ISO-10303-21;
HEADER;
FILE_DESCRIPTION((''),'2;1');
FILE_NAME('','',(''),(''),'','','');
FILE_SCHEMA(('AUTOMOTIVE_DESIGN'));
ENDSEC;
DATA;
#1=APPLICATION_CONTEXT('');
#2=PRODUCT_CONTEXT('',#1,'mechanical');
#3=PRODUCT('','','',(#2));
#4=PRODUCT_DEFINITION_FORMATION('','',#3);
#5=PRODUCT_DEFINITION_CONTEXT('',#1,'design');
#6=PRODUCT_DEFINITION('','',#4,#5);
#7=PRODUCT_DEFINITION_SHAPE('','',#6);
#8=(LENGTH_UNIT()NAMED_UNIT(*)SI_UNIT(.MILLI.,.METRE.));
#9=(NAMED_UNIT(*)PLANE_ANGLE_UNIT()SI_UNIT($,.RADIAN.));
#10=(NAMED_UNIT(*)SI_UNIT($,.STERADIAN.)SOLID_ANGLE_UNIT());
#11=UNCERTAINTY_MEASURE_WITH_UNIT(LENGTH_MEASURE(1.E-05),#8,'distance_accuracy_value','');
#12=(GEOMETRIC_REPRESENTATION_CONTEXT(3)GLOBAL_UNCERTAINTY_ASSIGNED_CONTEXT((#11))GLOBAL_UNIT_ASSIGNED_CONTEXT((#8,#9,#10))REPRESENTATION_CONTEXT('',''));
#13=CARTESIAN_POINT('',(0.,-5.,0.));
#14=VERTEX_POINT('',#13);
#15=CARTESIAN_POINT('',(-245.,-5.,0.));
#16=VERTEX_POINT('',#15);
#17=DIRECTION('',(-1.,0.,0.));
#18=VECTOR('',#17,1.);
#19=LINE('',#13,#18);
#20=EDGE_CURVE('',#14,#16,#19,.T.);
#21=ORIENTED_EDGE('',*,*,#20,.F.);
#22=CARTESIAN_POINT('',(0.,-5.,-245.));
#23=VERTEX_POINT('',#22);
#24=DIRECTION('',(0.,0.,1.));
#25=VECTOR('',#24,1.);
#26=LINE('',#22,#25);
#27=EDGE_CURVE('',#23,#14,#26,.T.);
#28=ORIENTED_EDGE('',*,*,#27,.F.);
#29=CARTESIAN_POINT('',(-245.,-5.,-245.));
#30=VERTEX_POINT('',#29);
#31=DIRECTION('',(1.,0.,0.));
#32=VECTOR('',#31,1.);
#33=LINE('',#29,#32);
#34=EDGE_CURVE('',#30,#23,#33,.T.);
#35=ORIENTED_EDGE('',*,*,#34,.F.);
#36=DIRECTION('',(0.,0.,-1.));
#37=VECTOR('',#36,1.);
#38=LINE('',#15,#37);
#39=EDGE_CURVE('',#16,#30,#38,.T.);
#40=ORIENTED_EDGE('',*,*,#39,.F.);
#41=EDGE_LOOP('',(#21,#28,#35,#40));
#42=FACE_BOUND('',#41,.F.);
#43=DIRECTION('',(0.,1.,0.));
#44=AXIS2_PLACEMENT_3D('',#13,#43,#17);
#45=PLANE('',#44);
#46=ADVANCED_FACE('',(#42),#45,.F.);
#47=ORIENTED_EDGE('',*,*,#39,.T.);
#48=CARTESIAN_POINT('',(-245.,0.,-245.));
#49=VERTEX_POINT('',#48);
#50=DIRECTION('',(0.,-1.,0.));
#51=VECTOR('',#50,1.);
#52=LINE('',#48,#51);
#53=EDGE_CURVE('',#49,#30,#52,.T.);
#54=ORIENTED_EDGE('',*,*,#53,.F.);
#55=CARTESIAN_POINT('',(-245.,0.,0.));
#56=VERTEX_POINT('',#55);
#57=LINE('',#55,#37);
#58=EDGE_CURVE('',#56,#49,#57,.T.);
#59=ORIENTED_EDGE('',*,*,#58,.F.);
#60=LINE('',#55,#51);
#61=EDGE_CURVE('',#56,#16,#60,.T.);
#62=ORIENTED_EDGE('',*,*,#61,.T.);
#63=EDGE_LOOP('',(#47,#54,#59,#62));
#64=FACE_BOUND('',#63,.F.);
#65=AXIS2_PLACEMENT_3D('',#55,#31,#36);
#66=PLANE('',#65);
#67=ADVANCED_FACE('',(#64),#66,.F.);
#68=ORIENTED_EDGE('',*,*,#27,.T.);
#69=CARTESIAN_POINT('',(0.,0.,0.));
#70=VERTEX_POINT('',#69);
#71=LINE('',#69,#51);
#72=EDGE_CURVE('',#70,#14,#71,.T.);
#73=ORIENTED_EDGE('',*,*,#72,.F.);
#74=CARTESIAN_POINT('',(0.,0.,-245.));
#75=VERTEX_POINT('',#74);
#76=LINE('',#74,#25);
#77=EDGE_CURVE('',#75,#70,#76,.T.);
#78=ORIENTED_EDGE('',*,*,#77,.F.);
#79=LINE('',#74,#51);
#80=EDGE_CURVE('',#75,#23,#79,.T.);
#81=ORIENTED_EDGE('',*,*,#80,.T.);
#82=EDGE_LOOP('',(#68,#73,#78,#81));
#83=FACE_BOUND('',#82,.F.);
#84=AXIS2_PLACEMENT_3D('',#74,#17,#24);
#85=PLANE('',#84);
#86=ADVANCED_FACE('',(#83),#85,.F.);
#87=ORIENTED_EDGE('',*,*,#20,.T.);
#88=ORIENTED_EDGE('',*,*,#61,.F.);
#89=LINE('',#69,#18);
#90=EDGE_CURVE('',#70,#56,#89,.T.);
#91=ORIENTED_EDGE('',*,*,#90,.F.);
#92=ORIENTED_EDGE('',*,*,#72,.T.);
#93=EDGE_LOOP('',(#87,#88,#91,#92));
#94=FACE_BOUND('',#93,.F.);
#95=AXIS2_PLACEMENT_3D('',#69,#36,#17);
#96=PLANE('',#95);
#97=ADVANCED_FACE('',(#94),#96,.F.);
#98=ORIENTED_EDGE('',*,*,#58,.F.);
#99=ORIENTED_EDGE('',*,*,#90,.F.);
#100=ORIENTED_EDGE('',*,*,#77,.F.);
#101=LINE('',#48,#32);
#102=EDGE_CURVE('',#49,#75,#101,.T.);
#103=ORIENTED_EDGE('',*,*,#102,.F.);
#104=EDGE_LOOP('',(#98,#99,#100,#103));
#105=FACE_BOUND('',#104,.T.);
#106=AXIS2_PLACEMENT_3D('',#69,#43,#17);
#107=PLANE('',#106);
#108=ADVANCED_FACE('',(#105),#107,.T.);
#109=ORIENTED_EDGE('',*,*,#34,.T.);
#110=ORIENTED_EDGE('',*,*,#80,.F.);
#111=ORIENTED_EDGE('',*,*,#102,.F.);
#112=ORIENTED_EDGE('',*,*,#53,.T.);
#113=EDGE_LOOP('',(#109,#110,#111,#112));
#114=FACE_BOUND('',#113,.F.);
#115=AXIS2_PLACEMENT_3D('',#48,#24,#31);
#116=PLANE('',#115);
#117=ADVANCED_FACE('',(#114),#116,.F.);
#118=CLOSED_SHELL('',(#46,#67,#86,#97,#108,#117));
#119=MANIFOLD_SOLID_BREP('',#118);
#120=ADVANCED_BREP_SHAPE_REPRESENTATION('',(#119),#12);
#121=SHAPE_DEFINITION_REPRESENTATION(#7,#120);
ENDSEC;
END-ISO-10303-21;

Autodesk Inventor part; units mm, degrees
ref_plane "YZ Plane" through (0, 0, 0) normal (1, 0, 0) x (0, 1, 0)
ref_plane "XZ Plane" through (0, 0, 0) normal (0, 1, 0) x (-1, 0, 0)
ref_plane "XY Plane" through (0, 0, 0) normal (0, 0, 1) x (1, 0, 0)
sketch "Sketch1" plane through (0, 0, 0) normal (0, 1, 0) x (-1, 0, 0)
  line L0 (0, 0) -> (245, 0)
  line L1 (245, 0) -> (245, -245)
  line L2 (245, -245) -> (0, -245)
  line L3 (0, -245) -> (0, 0)
  dimension "d0" = 245
  dimension "d1" = 245
sketch "Sketch2" plane through (0, 0, 0) normal (0, 0, 1) x (1, 0, 0)
  line L0 (0, 0) -> (-159, 0)
  line L1 (-159, 0) -> (-159, 44.45)
  line L2 (-159, 44.45) -> (0, 44.45)
  line L3 (0, 44.45) -> (0, 0)
  line L4 (-159, 0) -> (-164, 0)
  line L5 (-164, 0) -> (-164, 44.45)
  line L6 (-164, 44.45) -> (-164, 49.45)
  line L7 (-161.4275, 49.45) -> (3.5725, 49.45)
  line L8 (6, 49.45) -> (6, 0)
  line L9 (6, 0) -> (6, -5)
  line L10 (6, -5) -> (-164, -5)
  line L11 (-164, -5) -> (-164, 0)
  line L12 (3.5725, 49.45) -> (3.5725, 129.45)
  line L13 (3.5725, 129.45) -> (-76.4275, 129.45)
  line L14 (-76.4275, 129.45) -> (-76.4275, 49.45)
  line L15 (-76.4275, 129.45) -> (-81.4275, 129.45)
  line L16 (-81.4275, 129.45) -> (-161.4275, 129.45)
  line L17 (-161.4275, 129.45) -> (-161.4275, 49.45)
  line L18 (-164, 49.45) -> (-161.4275, 49.45)
  line L19 (6, 49.45) -> (3.5725, 49.45)
  line L20 (-81.4275, 129.45) -> (-81.4275, 49.45)
  line L21 (-164, 49.45) -> (-164, 129.45)
  line L22 (6, 49.45) -> (6, 129.45)
  line L23 (6, 129.45) -> (6, 139.45)
  line L24 (6, 139.45) -> (-161.4275, 139.45)
  line L25 (-161.4275, 139.45) -> (-164, 139.45)
  line L26 (-164, 139.45) -> (-164, 128.7782)
  dimension "d2" = 159
  dimension "d3" = 44.45
  dimension "d14" = 5
  dimension "d15" = 5
  dimension "d16" = 2.4275
  dimension "d17" = 5
  dimension "d18" = 80
  dimension "d19" = 80
  dimension "d20" = 5
  dimension "d21" = 80
  dimension "d22" = 10
extrude "Extrusion1" add sketch "Sketch1" against normal blind 5
sketch "Sketch3" plane through (0, 0, 0) normal (0, 0, 1) x (1, 0, 0)
  line L0 (0, 0) -> (-245, 0) projected
sketch "Sketch4" plane through (0, 0, -245) normal (0, 0, -1) x (-1, 0, 0)
  line L0 (0, 0) -> (245, 0) projected
  line L1 (0, 0) -> (5, 0)
  line L2 (5, 0) -> (5, 80)
  line L3 (5, 80) -> (85, 80)
  line L4 (85, 80) -> (85, 0)
  line L5 (85, 0) -> (90, 0)
  line L6 (90, 0) -> (90, 85)
  line L7 (90, 85) -> (0, 85)
  line L8 (0, 85) -> (0, 0)
  line L9 (90, 85) -> (140, 85)
  line L10 (140, 85) -> (140, 0)
  line L11 (140, 85) -> (164.1969, 85)
  line L12 (164.1969, 85) -> (164.1969, 0)
  line L13 (95, 5.5531) -> (106.55, 5.5531)
  line L14 (106.55, 5.5531) -> (106.55, 10.0531)
  line L15 (106.55, 10.0531) -> (95, 10.0531)
  line L16 (95, 10.0531) -> (95, 5.5531)
  line L17 (95, 15.0531) -> (106.55, 15.0531)
  line L18 (106.55, 15.0531) -> (106.55, 19.5531)
  line L19 (106.55, 19.5531) -> (95, 19.5531)
  line L20 (95, 19.5531) -> (95, 15.0531)
  line L21 (95, 24.5531) -> (106.55, 24.5531)
  line L22 (106.55, 24.5531) -> (106.55, 29.0531)
  line L23 (106.55, 29.0531) -> (95, 29.0531)
  line L24 (95, 29.0531) -> (95, 24.5531)
  line L25 (93.2932, 33.5295) -> (101.6932, 33.5295)
  line L26 (101.6932, 33.5295) -> (101.6932, 36.1295)
  line L27 (101.6932, 36.1295) -> (93.2932, 36.1295)
  line L28 (93.2932, 36.1295) -> (93.2932, 33.5295)
  circle A0 centre (110.1215, 7.8031) radius 1
  circle A1 centre (110.1215, 17.3031) radius 1
  circle A2 centre (110.1215, 26.8031) radius 1
  circle A3 centre (103.2902, 34.8295) radius 1
  circle A4 centre (91.7455, 7.8031) radius 1
  circle A5 centre (91.7455, 17.3031) radius 1
  circle A6 centre (91.7455, 26.8031) radius 1
  circle A7 centre (91.5305, 34.8295) radius 1
  circle A8 centre (125.6793, 16.3031) radius 5
  dimension "d25" = 5
  dimension "d26" = 80
  dimension "d27" = 80
  dimension "d28" = 5
  dimension "d29" = 85
  dimension "d30" = 50
  dimension "d32" = 11.55
  dimension "d33" = 4.5
  dimension "d34" = 5
  dimension "d35" = 4.5
  dimension "d36" = 5
  dimension "d37" = 4.5
  dimension "d38" = 8.4
  dimension "d39" = 2.6
  dimension "d40" = 2
  dimension "d41" = 2
  dimension "d42" = 2
  dimension "d43" = 2
  dimension "d44" = 2
  dimension "d45" = 2
  dimension "d46" = 2
  dimension "d47" = 2
  dimension "d48" = 10
sketch "Sketch5" plane through (0, 0, 0) normal (0, 1, 0) x (1, 0, 0)
  point P0 (0, 0)
sketch "Sketch6" plane through (0, 0, 0) normal (1, 0, 0) x (0, 0, -1)
  arc A0 (245, 85) -> (-2.0068, 137.6052) centre (116.0975, 85.9509) ccw
  point P0 (0, 0)
properties part number "matx-arc-case"
